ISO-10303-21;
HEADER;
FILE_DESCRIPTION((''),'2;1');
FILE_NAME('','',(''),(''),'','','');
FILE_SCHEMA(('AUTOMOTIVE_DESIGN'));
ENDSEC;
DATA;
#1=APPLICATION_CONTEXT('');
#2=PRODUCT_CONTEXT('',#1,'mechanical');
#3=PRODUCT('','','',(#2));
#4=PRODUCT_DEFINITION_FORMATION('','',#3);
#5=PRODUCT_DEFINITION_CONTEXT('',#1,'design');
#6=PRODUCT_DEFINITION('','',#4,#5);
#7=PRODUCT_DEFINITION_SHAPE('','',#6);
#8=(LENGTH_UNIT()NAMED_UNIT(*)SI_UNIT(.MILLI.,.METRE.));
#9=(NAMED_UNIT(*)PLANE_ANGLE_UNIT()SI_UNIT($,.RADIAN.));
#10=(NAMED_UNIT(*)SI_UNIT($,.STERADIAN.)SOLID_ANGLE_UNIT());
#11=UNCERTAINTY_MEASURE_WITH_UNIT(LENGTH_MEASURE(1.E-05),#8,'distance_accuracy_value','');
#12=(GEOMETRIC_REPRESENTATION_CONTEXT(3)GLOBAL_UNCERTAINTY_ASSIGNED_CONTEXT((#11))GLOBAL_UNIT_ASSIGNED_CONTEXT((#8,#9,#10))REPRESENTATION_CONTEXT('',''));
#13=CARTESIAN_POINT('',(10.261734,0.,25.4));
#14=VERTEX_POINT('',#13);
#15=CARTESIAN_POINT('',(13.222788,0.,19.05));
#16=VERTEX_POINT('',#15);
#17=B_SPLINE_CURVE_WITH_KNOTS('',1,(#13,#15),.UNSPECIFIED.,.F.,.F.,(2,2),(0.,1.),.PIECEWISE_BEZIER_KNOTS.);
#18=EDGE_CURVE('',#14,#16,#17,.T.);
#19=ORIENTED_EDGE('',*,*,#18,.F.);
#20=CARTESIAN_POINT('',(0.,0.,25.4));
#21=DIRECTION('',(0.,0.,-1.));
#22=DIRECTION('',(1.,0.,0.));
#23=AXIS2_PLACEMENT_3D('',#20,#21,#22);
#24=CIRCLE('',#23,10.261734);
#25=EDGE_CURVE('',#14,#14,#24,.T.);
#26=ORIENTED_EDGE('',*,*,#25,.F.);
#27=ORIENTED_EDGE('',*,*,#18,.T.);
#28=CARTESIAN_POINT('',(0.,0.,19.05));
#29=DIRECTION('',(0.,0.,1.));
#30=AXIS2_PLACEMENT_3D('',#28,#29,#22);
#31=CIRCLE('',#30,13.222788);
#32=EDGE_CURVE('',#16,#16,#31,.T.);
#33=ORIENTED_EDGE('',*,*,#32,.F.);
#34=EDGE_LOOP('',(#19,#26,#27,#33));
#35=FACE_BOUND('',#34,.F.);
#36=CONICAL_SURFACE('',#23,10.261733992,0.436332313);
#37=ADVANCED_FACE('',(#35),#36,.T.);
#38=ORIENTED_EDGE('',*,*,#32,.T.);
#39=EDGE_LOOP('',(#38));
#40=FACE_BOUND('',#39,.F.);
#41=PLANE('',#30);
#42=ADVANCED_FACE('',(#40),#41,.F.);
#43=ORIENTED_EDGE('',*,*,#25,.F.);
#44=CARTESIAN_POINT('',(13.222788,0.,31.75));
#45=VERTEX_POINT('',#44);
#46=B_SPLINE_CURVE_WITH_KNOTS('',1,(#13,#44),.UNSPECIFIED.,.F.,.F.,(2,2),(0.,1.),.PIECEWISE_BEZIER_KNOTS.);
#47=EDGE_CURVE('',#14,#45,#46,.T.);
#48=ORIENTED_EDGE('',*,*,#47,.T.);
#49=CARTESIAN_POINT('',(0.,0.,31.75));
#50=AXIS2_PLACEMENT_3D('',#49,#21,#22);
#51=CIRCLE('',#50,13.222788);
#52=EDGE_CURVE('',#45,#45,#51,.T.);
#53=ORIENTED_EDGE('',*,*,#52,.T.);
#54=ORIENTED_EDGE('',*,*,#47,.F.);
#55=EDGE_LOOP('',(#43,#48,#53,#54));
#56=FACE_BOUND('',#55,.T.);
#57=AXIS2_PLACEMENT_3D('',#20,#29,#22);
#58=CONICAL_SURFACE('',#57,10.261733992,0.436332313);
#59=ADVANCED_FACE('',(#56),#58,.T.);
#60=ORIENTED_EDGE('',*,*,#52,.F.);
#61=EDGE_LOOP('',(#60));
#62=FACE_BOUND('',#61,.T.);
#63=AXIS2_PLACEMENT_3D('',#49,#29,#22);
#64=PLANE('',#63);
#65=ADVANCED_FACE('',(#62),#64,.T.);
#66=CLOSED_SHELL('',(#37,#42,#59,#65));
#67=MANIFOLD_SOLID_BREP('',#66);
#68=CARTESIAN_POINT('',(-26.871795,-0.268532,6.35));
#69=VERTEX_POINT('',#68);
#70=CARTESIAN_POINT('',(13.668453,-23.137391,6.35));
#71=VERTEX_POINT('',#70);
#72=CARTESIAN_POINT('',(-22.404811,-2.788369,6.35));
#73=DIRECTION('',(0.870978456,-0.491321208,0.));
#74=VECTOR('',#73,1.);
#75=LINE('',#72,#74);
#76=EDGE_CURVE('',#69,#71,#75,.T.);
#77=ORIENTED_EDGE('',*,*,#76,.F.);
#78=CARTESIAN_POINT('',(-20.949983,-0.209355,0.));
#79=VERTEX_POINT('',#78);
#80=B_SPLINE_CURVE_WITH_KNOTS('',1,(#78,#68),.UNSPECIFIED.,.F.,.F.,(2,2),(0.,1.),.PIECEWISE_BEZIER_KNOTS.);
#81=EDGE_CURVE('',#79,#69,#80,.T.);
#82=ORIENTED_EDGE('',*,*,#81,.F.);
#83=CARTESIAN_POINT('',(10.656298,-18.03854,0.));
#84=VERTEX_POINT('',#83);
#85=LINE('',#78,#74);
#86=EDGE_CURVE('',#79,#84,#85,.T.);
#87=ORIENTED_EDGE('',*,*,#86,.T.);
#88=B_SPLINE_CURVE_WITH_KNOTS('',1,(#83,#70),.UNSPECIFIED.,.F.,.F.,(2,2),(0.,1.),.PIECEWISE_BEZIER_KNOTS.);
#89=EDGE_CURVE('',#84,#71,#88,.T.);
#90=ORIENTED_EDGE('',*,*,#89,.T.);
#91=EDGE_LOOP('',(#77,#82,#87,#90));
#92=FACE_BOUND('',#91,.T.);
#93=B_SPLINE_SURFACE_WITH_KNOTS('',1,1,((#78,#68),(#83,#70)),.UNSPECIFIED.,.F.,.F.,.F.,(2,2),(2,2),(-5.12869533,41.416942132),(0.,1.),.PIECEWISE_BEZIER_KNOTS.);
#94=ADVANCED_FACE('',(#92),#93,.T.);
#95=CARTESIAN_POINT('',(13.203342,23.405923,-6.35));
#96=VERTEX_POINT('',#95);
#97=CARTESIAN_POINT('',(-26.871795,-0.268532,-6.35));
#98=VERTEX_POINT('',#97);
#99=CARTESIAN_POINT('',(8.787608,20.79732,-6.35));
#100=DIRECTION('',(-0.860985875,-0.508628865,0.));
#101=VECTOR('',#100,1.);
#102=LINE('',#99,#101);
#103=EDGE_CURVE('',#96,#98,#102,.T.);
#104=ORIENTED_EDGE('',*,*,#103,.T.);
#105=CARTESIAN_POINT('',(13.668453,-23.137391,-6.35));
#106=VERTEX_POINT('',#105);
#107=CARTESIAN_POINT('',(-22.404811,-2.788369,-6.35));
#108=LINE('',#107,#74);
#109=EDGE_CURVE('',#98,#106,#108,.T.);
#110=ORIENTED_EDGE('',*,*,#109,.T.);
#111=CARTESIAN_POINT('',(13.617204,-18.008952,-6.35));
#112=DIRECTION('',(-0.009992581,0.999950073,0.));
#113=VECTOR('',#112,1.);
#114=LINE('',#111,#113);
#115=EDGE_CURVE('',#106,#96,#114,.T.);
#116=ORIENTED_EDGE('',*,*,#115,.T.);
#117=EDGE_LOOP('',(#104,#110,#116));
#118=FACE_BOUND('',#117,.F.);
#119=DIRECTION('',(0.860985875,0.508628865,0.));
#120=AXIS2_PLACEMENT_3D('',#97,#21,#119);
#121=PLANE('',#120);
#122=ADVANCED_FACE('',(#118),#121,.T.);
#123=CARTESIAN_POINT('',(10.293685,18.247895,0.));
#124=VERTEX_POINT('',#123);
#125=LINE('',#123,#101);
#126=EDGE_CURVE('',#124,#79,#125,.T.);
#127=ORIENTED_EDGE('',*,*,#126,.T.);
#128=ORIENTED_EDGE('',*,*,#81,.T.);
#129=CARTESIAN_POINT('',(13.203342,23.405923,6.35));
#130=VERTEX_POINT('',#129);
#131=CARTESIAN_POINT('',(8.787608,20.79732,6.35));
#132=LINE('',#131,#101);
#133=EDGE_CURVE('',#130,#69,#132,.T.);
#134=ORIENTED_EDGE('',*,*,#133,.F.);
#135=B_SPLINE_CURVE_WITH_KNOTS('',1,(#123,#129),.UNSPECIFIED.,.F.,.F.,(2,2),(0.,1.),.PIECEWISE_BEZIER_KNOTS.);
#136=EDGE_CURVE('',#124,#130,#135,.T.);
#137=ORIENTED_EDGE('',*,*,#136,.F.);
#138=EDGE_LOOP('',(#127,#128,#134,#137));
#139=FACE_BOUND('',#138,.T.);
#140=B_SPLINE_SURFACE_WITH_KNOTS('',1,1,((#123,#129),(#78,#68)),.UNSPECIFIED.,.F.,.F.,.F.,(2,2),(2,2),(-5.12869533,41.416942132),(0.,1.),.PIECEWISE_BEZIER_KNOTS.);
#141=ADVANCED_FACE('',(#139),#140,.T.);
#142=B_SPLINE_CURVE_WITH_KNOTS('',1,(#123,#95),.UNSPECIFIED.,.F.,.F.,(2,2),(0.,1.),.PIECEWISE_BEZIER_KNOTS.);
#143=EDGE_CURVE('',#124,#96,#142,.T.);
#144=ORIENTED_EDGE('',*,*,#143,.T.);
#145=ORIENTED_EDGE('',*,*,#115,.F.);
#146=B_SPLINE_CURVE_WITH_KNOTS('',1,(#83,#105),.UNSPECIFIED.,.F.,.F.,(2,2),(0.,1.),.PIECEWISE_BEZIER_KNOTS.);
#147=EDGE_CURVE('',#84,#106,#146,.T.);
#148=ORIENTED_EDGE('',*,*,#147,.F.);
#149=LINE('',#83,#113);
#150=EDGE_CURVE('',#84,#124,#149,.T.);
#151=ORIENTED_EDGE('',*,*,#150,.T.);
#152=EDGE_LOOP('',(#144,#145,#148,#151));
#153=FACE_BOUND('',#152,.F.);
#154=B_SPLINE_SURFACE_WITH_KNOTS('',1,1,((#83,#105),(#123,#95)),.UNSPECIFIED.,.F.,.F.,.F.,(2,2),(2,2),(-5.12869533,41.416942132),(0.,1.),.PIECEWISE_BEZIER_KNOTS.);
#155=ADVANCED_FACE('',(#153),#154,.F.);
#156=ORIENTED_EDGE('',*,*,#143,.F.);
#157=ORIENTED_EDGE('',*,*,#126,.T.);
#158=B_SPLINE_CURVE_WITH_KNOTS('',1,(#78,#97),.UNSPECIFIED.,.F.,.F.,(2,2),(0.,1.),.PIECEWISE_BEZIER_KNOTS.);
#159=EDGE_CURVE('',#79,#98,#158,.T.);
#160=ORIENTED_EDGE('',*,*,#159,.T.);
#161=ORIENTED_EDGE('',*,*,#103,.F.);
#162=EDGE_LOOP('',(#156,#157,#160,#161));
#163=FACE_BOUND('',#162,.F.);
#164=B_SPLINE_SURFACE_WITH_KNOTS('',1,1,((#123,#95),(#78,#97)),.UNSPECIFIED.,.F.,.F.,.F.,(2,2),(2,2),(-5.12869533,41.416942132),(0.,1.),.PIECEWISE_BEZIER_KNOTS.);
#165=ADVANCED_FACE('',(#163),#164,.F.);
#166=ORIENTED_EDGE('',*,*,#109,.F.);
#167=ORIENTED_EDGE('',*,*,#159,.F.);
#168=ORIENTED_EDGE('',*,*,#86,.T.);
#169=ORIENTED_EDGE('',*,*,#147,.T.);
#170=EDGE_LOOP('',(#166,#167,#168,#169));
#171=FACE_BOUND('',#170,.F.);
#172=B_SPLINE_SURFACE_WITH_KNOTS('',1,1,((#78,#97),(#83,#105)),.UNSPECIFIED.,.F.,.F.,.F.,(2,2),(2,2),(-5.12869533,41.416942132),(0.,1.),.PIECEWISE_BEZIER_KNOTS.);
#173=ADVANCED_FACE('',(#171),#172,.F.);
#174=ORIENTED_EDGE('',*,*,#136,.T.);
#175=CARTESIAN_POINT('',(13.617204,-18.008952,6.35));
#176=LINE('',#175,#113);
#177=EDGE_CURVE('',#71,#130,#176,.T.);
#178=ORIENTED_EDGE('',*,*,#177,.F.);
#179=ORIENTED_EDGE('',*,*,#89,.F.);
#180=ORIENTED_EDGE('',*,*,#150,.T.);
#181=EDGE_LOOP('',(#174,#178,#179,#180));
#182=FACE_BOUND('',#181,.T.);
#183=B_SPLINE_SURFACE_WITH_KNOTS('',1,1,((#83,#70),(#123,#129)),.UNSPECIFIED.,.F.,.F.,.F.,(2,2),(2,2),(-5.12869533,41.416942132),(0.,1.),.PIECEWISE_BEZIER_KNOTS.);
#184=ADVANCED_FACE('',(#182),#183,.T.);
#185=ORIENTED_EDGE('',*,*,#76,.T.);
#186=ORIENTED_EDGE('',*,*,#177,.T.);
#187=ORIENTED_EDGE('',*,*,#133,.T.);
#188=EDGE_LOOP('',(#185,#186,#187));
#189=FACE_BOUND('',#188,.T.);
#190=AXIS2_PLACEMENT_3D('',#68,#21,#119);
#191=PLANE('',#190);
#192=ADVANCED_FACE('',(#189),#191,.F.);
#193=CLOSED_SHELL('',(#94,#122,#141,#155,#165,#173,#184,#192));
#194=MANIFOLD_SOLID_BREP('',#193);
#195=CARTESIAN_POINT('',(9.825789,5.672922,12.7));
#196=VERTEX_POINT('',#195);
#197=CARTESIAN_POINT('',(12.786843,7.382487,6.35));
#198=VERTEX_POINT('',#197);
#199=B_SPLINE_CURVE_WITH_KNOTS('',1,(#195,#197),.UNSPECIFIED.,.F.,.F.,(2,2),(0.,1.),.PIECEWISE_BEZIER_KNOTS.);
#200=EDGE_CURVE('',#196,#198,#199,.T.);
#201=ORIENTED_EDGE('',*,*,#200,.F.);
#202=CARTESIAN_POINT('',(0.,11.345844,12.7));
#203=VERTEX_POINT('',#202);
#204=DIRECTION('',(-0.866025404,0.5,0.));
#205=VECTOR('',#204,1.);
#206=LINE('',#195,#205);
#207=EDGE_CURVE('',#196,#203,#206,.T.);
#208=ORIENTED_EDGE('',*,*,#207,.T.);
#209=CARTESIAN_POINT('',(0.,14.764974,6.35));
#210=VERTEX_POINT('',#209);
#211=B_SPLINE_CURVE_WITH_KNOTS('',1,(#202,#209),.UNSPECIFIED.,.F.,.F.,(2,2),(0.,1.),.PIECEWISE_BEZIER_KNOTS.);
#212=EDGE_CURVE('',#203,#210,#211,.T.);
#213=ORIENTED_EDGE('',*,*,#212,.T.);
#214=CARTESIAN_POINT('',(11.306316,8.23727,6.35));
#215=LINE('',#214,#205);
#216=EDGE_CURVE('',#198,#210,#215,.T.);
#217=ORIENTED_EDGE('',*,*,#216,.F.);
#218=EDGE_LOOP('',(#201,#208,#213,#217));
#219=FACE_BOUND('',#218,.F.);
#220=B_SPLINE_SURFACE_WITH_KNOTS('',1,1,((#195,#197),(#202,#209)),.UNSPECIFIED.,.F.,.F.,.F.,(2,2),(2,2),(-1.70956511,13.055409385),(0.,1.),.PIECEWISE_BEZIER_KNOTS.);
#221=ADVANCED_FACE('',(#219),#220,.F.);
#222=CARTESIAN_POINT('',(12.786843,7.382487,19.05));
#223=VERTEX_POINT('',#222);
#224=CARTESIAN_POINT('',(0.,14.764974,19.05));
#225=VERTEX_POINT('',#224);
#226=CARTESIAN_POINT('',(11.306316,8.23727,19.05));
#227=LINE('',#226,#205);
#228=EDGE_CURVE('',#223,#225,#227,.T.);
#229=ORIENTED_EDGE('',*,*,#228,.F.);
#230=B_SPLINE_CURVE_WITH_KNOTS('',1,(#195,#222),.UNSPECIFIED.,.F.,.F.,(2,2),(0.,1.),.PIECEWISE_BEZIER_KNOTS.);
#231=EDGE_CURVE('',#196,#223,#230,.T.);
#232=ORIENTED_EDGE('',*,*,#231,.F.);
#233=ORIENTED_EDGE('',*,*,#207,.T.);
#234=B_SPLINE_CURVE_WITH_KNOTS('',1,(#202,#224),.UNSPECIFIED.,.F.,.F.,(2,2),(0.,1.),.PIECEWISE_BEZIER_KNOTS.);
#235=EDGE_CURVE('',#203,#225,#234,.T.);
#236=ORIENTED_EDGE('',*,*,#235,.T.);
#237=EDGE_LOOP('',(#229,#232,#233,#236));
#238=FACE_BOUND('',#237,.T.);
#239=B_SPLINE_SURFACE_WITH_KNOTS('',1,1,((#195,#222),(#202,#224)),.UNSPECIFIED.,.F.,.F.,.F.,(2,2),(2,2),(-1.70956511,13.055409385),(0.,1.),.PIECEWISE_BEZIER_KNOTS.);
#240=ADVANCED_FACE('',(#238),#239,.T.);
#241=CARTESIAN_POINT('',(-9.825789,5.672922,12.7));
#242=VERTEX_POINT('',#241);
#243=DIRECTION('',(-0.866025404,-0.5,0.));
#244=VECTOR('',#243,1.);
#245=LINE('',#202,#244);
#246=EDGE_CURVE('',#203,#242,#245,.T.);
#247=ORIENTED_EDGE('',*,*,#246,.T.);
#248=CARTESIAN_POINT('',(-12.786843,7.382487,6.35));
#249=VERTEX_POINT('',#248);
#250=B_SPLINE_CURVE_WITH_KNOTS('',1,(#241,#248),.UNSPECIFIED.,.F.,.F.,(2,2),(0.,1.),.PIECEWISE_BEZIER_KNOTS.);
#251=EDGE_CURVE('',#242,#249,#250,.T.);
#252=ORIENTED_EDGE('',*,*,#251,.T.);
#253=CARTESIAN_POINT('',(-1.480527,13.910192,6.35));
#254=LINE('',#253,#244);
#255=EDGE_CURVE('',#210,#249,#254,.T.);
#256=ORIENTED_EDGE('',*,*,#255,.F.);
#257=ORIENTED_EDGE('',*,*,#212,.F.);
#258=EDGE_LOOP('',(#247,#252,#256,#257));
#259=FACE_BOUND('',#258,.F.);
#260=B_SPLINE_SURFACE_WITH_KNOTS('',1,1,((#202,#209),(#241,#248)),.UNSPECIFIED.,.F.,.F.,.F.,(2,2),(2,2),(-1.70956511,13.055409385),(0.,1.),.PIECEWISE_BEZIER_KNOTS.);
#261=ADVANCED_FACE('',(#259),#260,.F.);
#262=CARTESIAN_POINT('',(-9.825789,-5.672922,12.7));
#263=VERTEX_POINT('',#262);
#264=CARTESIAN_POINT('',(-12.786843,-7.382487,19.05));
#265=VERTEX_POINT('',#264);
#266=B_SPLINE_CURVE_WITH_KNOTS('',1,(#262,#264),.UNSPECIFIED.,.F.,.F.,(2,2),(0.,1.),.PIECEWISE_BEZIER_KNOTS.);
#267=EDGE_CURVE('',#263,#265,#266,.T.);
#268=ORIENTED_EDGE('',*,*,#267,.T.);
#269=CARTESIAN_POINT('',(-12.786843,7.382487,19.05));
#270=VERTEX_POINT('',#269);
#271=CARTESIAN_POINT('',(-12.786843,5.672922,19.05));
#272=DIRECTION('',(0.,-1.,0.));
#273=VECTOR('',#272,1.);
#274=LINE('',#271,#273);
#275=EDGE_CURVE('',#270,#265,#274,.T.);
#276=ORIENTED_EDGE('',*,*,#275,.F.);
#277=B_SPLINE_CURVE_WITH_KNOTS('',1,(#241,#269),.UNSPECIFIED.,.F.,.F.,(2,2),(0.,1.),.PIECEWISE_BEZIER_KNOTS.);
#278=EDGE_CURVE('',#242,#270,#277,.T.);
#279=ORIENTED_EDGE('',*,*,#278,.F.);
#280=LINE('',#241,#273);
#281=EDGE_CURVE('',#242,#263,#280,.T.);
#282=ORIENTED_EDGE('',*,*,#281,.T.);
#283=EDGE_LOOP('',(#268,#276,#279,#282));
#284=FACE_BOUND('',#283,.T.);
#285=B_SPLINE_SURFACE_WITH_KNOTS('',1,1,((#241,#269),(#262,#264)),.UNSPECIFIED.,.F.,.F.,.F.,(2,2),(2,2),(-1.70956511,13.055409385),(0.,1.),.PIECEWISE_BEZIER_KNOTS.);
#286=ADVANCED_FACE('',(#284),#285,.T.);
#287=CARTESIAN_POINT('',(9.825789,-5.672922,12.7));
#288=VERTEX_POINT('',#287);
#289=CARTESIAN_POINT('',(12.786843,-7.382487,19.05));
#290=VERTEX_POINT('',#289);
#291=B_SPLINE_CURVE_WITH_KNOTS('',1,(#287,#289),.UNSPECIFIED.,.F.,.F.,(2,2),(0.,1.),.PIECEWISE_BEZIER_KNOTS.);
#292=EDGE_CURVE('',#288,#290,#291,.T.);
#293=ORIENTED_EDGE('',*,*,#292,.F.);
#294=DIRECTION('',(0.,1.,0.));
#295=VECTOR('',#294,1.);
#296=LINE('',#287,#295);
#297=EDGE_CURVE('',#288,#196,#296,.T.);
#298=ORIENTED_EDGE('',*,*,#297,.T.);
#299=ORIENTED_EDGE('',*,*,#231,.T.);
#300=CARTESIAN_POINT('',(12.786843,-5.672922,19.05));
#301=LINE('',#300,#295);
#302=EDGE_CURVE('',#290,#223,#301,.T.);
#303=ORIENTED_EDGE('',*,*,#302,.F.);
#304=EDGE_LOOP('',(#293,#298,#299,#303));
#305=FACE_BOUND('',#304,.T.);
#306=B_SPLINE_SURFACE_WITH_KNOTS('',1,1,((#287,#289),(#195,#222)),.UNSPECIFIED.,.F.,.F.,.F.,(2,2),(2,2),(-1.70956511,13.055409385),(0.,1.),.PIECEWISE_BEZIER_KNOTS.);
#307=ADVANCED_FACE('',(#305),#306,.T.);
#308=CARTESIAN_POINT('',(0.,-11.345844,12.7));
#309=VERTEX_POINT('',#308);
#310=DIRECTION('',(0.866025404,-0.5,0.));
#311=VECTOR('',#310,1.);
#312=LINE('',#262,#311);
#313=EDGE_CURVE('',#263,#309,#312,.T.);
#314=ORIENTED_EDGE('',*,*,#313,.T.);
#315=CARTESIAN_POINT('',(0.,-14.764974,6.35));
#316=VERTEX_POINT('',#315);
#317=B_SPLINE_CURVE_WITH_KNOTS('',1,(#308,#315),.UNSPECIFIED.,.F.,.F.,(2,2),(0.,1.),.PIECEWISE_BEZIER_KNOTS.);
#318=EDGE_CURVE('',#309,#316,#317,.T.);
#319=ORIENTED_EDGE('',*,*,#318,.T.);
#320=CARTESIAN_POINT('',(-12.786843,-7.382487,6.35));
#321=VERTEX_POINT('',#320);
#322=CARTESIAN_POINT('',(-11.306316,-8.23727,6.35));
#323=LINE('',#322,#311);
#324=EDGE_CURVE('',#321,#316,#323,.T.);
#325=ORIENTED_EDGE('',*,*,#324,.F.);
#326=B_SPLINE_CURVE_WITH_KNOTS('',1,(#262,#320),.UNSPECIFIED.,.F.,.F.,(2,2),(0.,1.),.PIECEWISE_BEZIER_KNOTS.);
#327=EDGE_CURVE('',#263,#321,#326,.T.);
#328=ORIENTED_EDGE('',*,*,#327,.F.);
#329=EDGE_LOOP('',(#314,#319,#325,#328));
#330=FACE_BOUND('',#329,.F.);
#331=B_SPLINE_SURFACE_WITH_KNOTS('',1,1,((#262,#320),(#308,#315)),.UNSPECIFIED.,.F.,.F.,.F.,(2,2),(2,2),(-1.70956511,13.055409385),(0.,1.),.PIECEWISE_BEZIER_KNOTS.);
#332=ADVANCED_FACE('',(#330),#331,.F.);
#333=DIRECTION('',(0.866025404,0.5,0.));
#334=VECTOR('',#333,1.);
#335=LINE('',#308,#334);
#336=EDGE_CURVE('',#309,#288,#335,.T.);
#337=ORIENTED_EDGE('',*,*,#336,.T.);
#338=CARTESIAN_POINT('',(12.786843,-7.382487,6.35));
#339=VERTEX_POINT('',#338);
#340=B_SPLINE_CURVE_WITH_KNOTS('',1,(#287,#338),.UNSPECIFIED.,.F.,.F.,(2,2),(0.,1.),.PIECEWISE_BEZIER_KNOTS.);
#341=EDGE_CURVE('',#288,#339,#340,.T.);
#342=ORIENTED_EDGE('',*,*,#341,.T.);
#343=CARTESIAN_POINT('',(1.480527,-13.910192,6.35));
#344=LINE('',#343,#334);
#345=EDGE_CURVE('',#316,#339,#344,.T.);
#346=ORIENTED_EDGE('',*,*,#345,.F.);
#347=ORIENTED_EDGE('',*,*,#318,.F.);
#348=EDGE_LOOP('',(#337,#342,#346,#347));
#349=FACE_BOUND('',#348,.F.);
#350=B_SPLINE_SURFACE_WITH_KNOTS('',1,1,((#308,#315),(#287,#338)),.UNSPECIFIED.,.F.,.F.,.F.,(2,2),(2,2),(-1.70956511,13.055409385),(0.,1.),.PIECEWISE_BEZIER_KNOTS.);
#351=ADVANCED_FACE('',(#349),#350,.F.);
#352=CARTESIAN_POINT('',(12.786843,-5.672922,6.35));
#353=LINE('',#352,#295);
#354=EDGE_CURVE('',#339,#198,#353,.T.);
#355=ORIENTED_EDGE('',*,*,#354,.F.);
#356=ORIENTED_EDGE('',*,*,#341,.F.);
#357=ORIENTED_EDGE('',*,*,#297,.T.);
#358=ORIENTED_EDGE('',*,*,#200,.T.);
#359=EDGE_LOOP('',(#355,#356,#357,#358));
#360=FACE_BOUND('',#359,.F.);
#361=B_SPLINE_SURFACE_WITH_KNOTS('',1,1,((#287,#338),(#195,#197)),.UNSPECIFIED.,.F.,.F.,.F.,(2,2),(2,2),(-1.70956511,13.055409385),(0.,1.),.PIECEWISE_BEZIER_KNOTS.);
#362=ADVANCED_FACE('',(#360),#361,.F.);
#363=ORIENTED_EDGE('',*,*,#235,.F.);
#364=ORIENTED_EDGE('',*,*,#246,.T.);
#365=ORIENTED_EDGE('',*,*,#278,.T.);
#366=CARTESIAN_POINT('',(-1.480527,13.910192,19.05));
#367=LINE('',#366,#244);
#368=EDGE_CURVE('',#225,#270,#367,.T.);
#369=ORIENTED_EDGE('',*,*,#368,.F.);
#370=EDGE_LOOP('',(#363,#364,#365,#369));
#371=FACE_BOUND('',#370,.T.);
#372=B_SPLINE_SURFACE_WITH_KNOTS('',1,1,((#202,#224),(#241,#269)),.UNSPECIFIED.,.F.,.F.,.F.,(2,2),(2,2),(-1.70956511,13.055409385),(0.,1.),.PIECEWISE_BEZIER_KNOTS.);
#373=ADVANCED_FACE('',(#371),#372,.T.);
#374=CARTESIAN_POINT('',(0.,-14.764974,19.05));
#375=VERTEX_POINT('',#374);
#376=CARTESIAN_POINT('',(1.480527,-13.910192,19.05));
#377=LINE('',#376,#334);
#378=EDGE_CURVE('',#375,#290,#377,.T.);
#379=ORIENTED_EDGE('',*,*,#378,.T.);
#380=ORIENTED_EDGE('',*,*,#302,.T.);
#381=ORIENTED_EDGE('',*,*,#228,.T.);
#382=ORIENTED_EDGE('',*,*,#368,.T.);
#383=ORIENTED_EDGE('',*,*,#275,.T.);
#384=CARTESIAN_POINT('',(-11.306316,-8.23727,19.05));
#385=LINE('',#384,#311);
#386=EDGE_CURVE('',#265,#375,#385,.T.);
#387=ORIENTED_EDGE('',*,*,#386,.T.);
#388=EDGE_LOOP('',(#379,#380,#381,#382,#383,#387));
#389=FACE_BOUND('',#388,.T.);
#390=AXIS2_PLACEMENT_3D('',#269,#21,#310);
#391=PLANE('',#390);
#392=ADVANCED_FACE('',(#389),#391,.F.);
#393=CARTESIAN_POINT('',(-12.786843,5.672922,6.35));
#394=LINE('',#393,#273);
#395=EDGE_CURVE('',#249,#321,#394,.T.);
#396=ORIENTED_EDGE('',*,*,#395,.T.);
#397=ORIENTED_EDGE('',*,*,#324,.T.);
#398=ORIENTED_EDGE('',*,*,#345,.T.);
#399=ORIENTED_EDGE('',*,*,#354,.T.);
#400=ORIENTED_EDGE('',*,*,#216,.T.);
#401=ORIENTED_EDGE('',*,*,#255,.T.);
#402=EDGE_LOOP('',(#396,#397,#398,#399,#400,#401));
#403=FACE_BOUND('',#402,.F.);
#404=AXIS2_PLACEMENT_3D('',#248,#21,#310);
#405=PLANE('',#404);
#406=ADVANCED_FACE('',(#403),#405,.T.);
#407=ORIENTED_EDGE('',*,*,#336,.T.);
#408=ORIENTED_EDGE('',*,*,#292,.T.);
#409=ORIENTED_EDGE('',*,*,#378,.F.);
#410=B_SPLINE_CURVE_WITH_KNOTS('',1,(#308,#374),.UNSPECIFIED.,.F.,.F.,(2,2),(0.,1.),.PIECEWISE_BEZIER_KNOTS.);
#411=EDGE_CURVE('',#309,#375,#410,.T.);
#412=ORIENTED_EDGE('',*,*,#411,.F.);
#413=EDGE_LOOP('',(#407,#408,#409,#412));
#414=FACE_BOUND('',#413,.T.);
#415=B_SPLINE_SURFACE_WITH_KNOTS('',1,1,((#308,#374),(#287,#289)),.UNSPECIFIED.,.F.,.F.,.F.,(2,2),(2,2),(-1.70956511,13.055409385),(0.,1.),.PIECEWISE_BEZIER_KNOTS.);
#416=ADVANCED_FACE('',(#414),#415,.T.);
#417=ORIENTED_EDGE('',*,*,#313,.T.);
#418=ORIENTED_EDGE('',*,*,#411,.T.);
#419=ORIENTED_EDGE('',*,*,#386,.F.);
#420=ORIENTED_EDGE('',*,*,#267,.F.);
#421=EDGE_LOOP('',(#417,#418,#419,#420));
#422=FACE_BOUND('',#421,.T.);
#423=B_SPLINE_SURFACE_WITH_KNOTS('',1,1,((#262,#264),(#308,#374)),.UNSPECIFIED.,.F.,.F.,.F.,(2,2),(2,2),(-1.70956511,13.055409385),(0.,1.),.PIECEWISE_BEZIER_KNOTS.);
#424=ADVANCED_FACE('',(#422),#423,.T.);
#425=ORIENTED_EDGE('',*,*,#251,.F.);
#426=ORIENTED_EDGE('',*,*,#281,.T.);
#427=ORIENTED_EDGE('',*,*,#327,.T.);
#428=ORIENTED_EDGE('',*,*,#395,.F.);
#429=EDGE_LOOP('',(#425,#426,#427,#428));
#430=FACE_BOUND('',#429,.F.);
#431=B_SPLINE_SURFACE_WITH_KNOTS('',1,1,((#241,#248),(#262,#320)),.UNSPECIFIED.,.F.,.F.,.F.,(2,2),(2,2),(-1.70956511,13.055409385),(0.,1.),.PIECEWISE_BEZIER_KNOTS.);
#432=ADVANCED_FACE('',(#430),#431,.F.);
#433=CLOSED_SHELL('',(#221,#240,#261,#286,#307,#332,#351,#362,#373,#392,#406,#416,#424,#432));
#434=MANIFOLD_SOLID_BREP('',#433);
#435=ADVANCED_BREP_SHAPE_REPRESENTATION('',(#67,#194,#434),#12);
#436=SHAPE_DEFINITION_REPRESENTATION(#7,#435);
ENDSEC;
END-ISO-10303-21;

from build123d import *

# Parameters (mm, degrees)
F5_DEPTH = 6.35
F5_TAPER = -25
F4_R     = 10.2617339916


with BuildPart() as f5:
    # F2 (on Top) → F5 (new body, symmetric)
    with BuildSketch(Plane.XY):
        Polygon((-20.9499830359, -0.2093548496), (10.6562981361, -18.0385400932), (10.2936848998, 18.2478949428), align=None)
    extrude(amount=F5_DEPTH, both=True, taper=F5_TAPER)


with BuildPart() as f5b:
    # F4 (on offset) → F5, piece 2 (new body, symmetric)
    with BuildSketch(Plane.XY.offset(25.4)):
        Circle(F4_R)
    extrude(amount=F5_DEPTH, both=True, taper=F5_TAPER)


with BuildPart() as f5c:
    # F3 (on offset) → F5, piece 3 (new body, symmetric)
    with BuildSketch(Plane.XY.offset(12.7)):
        Polygon((-9.8257893696, 5.6729221376), (-9.8257893696, -5.6729221376), (0, -11.3458442751), (9.8257893696, -5.6729221376), (9.8257893696, 5.6729221376), (0, 11.3458442751), align=None)
    extrude(amount=F5_DEPTH, both=True, taper=F5_TAPER)


solid = Compound([f5.part, f5b.part, f5c.part])
